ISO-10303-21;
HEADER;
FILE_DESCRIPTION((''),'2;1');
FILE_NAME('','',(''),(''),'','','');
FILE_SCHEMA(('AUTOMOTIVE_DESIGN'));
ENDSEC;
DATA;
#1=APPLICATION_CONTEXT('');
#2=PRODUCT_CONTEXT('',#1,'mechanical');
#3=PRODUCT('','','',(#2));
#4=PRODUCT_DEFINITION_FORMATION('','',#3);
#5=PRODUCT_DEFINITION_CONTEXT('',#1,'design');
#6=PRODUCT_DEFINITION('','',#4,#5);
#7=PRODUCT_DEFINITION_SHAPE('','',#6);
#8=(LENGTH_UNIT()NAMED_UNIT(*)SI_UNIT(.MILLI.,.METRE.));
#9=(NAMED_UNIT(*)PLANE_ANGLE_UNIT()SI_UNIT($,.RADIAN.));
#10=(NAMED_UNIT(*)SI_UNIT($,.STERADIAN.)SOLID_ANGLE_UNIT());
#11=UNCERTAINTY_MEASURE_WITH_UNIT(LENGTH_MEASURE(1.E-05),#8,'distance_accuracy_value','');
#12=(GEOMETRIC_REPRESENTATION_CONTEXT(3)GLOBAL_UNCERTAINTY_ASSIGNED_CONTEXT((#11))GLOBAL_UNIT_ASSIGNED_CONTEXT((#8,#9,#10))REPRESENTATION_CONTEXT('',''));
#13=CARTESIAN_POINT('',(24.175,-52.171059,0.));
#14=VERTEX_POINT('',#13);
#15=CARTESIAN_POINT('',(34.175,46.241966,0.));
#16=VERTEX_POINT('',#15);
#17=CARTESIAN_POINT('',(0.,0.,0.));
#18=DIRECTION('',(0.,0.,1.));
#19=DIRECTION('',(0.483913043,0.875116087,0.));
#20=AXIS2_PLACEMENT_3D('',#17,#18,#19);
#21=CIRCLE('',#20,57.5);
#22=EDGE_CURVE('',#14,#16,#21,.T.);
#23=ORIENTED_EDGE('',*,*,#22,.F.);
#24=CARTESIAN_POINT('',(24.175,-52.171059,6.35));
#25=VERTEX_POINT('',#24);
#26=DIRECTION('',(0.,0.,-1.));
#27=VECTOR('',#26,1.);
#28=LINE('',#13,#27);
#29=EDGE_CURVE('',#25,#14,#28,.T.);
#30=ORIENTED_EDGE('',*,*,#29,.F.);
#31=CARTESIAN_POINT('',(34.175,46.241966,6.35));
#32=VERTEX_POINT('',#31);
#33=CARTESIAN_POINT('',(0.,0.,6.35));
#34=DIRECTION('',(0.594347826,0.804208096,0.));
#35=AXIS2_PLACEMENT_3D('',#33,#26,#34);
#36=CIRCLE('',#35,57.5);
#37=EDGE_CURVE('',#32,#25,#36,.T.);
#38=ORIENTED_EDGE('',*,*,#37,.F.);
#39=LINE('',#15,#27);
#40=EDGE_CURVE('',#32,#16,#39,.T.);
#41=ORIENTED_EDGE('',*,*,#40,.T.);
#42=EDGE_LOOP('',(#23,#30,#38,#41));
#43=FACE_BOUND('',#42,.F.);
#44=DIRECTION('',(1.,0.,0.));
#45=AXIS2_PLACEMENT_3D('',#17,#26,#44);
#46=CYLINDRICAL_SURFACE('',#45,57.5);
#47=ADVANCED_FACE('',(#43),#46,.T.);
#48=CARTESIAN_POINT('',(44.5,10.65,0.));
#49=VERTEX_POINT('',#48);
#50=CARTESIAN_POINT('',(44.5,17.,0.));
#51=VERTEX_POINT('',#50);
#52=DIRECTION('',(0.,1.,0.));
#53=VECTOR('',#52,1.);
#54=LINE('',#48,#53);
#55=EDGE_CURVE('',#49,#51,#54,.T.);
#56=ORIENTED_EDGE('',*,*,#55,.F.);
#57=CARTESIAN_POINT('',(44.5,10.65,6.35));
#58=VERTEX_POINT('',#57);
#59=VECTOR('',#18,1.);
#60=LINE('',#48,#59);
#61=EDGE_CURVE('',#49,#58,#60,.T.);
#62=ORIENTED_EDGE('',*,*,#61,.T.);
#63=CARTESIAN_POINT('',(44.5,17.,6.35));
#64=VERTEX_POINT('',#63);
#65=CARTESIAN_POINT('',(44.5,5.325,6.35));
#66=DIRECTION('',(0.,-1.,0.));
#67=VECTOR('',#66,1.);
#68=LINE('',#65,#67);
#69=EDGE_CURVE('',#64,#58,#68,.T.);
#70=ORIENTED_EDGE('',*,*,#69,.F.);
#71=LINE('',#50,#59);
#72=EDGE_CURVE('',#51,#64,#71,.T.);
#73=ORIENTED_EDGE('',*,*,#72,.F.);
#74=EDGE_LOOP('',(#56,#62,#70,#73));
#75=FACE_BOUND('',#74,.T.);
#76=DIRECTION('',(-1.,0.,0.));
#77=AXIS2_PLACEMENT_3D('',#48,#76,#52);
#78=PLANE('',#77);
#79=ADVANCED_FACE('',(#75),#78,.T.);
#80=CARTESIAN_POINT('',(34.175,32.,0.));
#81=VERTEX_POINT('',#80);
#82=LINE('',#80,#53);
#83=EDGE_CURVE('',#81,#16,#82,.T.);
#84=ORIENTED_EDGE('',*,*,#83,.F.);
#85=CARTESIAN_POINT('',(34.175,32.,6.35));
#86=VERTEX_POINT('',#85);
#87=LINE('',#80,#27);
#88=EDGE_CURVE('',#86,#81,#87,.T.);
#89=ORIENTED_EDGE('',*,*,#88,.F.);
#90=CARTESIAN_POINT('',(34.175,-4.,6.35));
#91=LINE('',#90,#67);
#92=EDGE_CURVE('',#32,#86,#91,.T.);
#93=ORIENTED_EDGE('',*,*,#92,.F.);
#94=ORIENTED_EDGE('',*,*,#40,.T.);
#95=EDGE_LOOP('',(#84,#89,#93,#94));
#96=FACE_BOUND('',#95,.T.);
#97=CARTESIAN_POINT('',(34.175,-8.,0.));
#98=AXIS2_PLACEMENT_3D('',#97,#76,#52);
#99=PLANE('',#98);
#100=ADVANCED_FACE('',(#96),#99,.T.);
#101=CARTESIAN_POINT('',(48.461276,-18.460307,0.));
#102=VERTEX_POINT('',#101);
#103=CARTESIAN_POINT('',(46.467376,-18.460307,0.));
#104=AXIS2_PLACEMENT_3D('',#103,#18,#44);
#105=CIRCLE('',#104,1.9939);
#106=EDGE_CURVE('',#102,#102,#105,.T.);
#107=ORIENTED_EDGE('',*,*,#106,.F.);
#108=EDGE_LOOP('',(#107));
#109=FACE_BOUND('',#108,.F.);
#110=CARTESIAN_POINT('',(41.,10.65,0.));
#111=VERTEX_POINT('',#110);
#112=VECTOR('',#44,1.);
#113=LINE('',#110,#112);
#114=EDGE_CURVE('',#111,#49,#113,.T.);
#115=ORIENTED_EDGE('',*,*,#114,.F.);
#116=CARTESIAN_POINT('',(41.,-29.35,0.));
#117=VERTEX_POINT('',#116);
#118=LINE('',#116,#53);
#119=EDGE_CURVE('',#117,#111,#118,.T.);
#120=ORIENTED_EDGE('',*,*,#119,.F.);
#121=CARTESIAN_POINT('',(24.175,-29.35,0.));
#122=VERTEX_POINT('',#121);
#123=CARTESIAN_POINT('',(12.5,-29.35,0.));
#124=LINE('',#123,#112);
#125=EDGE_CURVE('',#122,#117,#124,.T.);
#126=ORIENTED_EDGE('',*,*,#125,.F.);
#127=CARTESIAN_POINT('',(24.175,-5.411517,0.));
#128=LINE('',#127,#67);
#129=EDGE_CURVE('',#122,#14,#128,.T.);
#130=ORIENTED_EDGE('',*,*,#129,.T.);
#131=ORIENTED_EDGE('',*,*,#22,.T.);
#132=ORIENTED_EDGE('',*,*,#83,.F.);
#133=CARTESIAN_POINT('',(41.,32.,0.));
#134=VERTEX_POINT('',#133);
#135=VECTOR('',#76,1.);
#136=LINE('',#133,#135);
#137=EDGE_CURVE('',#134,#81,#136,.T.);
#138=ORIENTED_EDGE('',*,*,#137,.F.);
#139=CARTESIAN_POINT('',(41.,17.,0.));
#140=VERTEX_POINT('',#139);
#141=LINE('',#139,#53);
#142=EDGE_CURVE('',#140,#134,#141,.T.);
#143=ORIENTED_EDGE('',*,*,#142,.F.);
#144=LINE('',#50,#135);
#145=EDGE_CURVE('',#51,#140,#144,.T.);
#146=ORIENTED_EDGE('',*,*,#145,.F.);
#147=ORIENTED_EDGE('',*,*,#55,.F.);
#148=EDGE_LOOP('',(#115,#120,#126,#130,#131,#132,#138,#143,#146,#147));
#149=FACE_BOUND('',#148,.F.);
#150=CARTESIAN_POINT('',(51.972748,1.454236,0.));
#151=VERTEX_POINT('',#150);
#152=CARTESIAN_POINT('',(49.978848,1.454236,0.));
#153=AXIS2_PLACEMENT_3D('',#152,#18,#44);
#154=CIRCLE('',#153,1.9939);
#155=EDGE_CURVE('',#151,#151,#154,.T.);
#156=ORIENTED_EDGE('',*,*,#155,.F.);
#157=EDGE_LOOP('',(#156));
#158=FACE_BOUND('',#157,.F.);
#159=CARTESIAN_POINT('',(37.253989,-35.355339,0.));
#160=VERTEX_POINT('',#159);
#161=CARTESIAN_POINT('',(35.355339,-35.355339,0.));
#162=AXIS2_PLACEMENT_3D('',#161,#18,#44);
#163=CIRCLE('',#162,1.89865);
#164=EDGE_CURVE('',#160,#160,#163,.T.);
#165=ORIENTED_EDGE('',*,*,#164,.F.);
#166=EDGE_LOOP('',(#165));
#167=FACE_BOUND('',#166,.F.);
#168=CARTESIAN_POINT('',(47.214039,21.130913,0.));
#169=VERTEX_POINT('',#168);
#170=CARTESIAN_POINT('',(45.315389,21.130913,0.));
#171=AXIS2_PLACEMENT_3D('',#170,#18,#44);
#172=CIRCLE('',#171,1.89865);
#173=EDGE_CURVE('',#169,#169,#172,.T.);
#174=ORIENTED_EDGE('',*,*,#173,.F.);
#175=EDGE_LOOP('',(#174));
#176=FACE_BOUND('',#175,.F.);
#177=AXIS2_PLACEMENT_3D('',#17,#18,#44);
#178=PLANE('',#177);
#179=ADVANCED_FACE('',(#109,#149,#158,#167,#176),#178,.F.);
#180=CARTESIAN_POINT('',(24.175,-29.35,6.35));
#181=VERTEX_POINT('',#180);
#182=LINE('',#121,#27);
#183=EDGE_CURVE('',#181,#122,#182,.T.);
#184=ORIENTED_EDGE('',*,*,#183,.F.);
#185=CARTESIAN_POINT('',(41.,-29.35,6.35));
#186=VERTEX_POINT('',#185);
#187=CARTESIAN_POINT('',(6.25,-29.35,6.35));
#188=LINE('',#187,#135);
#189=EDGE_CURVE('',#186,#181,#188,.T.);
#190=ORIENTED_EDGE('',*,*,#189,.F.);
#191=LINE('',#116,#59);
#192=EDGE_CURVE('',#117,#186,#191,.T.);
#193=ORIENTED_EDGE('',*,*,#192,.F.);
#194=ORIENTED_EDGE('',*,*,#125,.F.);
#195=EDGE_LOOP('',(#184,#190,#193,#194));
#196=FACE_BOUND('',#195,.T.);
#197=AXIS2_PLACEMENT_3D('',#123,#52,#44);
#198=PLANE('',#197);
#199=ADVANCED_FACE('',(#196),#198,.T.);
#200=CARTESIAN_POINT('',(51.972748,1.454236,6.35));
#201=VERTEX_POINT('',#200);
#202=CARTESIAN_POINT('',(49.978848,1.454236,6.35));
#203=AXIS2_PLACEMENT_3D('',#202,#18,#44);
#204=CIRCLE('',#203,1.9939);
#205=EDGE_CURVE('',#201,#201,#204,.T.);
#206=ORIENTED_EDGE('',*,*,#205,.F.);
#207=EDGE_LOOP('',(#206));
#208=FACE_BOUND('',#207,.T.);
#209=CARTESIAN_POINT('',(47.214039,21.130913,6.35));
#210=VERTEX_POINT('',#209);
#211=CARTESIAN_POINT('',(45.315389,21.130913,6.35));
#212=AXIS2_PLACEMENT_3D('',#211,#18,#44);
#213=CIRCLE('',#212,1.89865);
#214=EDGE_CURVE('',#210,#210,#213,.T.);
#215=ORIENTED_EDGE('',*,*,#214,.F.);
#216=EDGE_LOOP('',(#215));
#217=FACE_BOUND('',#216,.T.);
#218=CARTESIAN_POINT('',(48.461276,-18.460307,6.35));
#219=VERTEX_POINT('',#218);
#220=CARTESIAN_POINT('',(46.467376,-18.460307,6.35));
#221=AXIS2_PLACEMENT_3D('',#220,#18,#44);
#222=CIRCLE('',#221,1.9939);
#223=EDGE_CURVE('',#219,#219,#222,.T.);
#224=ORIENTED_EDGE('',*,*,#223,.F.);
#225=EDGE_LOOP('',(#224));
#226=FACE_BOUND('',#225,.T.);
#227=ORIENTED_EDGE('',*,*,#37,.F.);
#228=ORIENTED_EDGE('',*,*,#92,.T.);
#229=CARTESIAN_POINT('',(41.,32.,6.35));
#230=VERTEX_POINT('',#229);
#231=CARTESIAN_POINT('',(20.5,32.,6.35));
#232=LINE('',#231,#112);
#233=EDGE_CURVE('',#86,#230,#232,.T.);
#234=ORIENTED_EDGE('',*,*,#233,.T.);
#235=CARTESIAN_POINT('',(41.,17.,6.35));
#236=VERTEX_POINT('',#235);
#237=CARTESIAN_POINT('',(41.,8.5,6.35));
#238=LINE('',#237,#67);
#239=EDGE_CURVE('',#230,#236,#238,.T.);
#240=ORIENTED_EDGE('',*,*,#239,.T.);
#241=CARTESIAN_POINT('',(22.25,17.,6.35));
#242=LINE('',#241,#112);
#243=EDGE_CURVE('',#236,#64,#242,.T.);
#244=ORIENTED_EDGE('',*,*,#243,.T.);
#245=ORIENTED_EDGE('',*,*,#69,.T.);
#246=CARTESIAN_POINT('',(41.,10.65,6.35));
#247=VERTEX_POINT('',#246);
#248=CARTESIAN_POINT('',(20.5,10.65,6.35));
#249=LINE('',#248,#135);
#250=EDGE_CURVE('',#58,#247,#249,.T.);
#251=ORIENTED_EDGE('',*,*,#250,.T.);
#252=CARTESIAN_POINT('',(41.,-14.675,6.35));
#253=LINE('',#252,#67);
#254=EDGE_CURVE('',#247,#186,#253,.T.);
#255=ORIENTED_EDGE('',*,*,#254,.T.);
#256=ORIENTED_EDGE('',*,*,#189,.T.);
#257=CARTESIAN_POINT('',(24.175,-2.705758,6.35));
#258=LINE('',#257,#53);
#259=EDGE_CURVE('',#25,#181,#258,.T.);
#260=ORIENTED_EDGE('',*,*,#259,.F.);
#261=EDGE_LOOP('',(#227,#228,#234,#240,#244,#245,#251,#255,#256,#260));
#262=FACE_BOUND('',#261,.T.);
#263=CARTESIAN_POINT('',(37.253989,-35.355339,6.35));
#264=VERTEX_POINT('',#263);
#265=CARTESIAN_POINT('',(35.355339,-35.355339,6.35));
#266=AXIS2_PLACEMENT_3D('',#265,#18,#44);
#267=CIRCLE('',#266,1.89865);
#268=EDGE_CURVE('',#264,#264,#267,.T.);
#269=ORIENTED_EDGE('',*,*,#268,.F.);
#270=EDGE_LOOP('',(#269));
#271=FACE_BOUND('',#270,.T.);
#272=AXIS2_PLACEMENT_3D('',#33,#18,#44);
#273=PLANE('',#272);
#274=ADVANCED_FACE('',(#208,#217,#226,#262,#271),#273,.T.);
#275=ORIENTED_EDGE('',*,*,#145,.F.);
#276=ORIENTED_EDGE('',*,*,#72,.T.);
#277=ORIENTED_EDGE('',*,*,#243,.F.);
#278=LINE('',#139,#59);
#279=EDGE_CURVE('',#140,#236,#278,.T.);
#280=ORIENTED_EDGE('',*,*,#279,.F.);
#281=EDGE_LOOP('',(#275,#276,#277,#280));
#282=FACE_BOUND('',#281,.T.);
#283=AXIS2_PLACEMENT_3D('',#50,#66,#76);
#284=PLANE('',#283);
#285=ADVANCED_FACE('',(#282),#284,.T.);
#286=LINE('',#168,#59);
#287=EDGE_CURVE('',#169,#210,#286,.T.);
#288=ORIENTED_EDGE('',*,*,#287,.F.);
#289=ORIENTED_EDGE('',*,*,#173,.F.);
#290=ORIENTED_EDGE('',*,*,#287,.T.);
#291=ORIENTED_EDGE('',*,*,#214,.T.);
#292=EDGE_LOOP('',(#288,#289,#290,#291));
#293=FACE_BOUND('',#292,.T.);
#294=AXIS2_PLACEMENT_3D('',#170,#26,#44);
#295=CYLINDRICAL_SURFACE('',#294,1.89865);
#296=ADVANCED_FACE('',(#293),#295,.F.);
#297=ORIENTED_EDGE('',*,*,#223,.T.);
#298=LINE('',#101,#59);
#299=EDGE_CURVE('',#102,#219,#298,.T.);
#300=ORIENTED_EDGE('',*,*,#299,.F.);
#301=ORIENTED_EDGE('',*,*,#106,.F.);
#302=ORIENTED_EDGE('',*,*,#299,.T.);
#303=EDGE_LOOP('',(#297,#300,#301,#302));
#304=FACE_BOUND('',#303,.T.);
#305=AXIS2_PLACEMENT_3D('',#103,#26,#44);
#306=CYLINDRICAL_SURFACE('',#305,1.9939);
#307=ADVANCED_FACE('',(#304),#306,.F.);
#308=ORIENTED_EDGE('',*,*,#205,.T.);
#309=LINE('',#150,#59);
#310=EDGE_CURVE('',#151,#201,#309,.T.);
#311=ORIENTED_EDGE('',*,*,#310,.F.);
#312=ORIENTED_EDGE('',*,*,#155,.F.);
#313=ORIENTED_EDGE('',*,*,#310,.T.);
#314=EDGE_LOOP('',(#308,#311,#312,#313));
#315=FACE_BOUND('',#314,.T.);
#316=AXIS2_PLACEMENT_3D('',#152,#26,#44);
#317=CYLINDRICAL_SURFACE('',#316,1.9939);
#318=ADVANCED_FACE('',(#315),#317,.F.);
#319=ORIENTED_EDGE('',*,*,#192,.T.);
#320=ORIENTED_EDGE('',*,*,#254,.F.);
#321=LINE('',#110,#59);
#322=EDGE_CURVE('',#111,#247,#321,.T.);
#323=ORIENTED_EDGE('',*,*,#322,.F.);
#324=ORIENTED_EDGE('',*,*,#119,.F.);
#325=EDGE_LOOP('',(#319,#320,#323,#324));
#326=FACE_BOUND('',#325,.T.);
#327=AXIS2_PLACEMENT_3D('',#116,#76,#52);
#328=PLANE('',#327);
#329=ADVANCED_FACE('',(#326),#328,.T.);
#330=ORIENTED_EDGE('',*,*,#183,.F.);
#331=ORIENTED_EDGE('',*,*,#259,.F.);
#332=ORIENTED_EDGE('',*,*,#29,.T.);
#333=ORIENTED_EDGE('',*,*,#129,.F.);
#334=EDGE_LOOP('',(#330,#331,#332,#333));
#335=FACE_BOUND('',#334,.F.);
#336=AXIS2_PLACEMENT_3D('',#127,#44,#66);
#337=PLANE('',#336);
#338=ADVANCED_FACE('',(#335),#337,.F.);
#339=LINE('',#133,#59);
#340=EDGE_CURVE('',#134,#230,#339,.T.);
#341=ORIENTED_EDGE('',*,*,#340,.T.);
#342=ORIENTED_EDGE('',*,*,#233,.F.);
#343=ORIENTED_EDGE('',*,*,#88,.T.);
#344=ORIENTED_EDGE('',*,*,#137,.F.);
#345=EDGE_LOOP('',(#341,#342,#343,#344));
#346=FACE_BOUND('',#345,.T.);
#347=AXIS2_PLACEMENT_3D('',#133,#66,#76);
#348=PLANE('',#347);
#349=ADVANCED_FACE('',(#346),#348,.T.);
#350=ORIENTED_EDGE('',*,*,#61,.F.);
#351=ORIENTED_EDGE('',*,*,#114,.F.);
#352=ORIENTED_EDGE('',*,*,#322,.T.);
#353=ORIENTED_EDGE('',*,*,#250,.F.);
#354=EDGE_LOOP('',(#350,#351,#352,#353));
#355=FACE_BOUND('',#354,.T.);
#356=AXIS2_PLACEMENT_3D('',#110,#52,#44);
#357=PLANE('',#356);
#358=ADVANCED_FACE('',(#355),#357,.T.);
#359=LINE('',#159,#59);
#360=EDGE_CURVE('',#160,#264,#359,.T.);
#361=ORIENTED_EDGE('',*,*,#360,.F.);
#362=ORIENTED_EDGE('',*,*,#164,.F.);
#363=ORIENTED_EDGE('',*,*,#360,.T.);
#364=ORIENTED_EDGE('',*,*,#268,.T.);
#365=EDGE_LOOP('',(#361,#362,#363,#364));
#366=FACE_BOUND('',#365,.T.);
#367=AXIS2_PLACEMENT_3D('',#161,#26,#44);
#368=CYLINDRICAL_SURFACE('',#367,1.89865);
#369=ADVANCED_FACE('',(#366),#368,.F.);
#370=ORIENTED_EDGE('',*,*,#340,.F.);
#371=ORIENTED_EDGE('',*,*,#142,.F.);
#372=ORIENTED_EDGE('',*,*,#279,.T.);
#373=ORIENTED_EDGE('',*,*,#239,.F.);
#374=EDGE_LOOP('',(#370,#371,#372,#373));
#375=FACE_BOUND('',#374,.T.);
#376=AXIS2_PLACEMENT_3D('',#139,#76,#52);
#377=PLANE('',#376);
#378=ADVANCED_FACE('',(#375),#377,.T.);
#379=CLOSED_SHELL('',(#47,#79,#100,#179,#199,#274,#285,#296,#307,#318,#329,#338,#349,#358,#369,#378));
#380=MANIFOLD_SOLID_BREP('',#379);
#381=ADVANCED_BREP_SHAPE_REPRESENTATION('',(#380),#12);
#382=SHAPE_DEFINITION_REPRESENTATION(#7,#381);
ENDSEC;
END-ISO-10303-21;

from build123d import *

# Parameters (mm, degrees)
SKETCH1_R           = 57.5
SKETCH1_R_2         = 1.89865
SKETCH1_R_3         = 1.9939
SKETCH1_R_4         = 8
BOSS_EXTRUDE1_DEPTH = 6.35
CUT_EXTRUDE1_DEPTH  = 82.564836173
SKETCH3_W           = 6.35
SKETCH3_H           = 80
CUT_EXTRUDE3_DEPTH  = 82.564836173
CUT_EXTRUDE5_DEPTH  = 82.564836173
CUT_EXTRUDE6_DEPTH  = 78.899883665


with BuildPart() as part:
    # Sketch1 → Boss-Extrude1 (new body)
    with BuildSketch(Plane.XY):
        Circle(SKETCH1_R)
        with Locations((45.315389352, 21.130913087)):
            Circle(SKETCH1_R_2, mode=Mode.SUBTRACT)
        with Locations((49.978847504, 1.454235937)):
            Circle(SKETCH1_R_3, mode=Mode.SUBTRACT)
        Circle(SKETCH1_R_4, mode=Mode.SUBTRACT)
        with Locations((46.467376211, -18.460307366)):
            Circle(SKETCH1_R_3, mode=Mode.SUBTRACT)
        with Locations((0, -16.5)):
            Circle(SKETCH1_R_3, mode=Mode.SUBTRACT)
        with Locations((0, -50)):
            Circle(SKETCH1_R_2, mode=Mode.SUBTRACT)
        with Locations((-16.5, 0)):
            Circle(SKETCH1_R_3, mode=Mode.SUBTRACT)
        with Locations((-11.66726189, -11.66726189)):
            Circle(SKETCH1_R_2, mode=Mode.SUBTRACT)
        with Locations((0, 16.5)):
            Circle(SKETCH1_R_3, mode=Mode.SUBTRACT)
        with Locations((-11.66726189, 11.66726189)):
            Circle(SKETCH1_R_2, mode=Mode.SUBTRACT)
        with Locations((11.66726189, 11.66726189)):
            Circle(SKETCH1_R_2, mode=Mode.SUBTRACT)
        with Locations((-35.355339059, -35.355339059)):
            Circle(SKETCH1_R_2, mode=Mode.SUBTRACT)
        with Locations((-50, 0)):
            Circle(SKETCH1_R_2, mode=Mode.SUBTRACT)
        with Locations((-35.355339059, 35.355339059)):
            Circle(SKETCH1_R_2, mode=Mode.SUBTRACT)
        with Locations((0, 50)):
            Circle(SKETCH1_R_2, mode=Mode.SUBTRACT)
        with Locations((35.355339059, -35.355339059)):
            Circle(SKETCH1_R_2, mode=Mode.SUBTRACT)
    extrude(amount=BOSS_EXTRUDE1_DEPTH)

    # Sketch2 → Cut-Extrude1 (cut, through all)
    with BuildSketch(Plane.XY):
        Polygon((12.5, -29.35), (41, -29.35), (41, 10.65), (44.5, 10.65), (44.5, 17), (41, 17), (41, 32), (21, 32), (21, 17), (17.5, 17), (17.5, 10.65), (21, 10.65), (21, 5.65), (12.5, 5.65), align=None)
    extrude(amount=CUT_EXTRUDE1_DEPTH, mode=Mode.SUBTRACT)

    # Sketch3 → Cut-Extrude3 (cut, through all)
    with BuildSketch(Plane(origin=(0, 0, 0), x_dir=(-1, 0, 0), z_dir=(0, 0, -1))):
        with Locations((-31, 32)):
            Rectangle(SKETCH3_W, SKETCH3_H)
    extrude(amount=-CUT_EXTRUDE3_DEPTH, mode=Mode.SUBTRACT)

    # Sketch4 → Cut-Extrude5 (cut, through all)
    with BuildSketch(Plane.XY):
        with BuildLine():
            Line((21, -36.500002949), (21, -5.372089924))
            Line((21, -5.372089924), (24.175, -5.411516926))
            Line((24.175, -5.411516926), (24.175, -57.5))
            Line((24.175, -57.5), (2.949e-06, -57.5))
            ThreePointArc((2.949e-06, -57.5), (14.849243269, -51.349243269), (21, -36.500002949))
        make_face()
        with BuildLine():
            Line((2.949e-06, 57.5), (24.175, 57.5))
            Line((24.175, 57.5), (24.175, 5.411516926))
            Line((24.175, 5.411516926), (21, 5.372089924))
            Line((21, 5.372089924), (21, 36.500002949))
            ThreePointArc((21, 36.500002949), (14.849243269, 51.349243269), (2.949e-06, 57.5))
        make_face()
    extrude(amount=CUT_EXTRUDE5_DEPTH, mode=Mode.SUBTRACT)


with BuildPart() as cut_extrude5_piece_1:
    # of the separate pieces the step leaves, piece 1, a body of its own (cut_extrude5_pieces_kept)
    add(part.part.solids().sort_by_distance((24.175, -52.171058787, 0))[0])


with BuildPart() as cut_extrude5_piece_2:
    # of the separate pieces the step leaves, piece 2, a body of its own (cut_extrude5_pieces_kept)
    add(part.part.solids().sort_by_distance((24.175, 52.171058787, 6.35))[0])

    # Sketch5 → Cut-Extrude6 (cut, through all)
    with BuildSketch(Plane.XY.offset(6.35)):
        with BuildLine():
            Line((24.175, 52.171058787), (24.175, 32))
            Line((24.175, 32), (27.825, 32))
            Line((27.825, 32), (27.825, 50.319175023))
            ThreePointArc((27.825, 50.319175023), (26.016482629, 51.277603607), (24.175, 52.171058787))
        make_face()
    extrude(amount=-CUT_EXTRUDE6_DEPTH, mode=Mode.SUBTRACT)


solid = cut_extrude5_piece_1.part
